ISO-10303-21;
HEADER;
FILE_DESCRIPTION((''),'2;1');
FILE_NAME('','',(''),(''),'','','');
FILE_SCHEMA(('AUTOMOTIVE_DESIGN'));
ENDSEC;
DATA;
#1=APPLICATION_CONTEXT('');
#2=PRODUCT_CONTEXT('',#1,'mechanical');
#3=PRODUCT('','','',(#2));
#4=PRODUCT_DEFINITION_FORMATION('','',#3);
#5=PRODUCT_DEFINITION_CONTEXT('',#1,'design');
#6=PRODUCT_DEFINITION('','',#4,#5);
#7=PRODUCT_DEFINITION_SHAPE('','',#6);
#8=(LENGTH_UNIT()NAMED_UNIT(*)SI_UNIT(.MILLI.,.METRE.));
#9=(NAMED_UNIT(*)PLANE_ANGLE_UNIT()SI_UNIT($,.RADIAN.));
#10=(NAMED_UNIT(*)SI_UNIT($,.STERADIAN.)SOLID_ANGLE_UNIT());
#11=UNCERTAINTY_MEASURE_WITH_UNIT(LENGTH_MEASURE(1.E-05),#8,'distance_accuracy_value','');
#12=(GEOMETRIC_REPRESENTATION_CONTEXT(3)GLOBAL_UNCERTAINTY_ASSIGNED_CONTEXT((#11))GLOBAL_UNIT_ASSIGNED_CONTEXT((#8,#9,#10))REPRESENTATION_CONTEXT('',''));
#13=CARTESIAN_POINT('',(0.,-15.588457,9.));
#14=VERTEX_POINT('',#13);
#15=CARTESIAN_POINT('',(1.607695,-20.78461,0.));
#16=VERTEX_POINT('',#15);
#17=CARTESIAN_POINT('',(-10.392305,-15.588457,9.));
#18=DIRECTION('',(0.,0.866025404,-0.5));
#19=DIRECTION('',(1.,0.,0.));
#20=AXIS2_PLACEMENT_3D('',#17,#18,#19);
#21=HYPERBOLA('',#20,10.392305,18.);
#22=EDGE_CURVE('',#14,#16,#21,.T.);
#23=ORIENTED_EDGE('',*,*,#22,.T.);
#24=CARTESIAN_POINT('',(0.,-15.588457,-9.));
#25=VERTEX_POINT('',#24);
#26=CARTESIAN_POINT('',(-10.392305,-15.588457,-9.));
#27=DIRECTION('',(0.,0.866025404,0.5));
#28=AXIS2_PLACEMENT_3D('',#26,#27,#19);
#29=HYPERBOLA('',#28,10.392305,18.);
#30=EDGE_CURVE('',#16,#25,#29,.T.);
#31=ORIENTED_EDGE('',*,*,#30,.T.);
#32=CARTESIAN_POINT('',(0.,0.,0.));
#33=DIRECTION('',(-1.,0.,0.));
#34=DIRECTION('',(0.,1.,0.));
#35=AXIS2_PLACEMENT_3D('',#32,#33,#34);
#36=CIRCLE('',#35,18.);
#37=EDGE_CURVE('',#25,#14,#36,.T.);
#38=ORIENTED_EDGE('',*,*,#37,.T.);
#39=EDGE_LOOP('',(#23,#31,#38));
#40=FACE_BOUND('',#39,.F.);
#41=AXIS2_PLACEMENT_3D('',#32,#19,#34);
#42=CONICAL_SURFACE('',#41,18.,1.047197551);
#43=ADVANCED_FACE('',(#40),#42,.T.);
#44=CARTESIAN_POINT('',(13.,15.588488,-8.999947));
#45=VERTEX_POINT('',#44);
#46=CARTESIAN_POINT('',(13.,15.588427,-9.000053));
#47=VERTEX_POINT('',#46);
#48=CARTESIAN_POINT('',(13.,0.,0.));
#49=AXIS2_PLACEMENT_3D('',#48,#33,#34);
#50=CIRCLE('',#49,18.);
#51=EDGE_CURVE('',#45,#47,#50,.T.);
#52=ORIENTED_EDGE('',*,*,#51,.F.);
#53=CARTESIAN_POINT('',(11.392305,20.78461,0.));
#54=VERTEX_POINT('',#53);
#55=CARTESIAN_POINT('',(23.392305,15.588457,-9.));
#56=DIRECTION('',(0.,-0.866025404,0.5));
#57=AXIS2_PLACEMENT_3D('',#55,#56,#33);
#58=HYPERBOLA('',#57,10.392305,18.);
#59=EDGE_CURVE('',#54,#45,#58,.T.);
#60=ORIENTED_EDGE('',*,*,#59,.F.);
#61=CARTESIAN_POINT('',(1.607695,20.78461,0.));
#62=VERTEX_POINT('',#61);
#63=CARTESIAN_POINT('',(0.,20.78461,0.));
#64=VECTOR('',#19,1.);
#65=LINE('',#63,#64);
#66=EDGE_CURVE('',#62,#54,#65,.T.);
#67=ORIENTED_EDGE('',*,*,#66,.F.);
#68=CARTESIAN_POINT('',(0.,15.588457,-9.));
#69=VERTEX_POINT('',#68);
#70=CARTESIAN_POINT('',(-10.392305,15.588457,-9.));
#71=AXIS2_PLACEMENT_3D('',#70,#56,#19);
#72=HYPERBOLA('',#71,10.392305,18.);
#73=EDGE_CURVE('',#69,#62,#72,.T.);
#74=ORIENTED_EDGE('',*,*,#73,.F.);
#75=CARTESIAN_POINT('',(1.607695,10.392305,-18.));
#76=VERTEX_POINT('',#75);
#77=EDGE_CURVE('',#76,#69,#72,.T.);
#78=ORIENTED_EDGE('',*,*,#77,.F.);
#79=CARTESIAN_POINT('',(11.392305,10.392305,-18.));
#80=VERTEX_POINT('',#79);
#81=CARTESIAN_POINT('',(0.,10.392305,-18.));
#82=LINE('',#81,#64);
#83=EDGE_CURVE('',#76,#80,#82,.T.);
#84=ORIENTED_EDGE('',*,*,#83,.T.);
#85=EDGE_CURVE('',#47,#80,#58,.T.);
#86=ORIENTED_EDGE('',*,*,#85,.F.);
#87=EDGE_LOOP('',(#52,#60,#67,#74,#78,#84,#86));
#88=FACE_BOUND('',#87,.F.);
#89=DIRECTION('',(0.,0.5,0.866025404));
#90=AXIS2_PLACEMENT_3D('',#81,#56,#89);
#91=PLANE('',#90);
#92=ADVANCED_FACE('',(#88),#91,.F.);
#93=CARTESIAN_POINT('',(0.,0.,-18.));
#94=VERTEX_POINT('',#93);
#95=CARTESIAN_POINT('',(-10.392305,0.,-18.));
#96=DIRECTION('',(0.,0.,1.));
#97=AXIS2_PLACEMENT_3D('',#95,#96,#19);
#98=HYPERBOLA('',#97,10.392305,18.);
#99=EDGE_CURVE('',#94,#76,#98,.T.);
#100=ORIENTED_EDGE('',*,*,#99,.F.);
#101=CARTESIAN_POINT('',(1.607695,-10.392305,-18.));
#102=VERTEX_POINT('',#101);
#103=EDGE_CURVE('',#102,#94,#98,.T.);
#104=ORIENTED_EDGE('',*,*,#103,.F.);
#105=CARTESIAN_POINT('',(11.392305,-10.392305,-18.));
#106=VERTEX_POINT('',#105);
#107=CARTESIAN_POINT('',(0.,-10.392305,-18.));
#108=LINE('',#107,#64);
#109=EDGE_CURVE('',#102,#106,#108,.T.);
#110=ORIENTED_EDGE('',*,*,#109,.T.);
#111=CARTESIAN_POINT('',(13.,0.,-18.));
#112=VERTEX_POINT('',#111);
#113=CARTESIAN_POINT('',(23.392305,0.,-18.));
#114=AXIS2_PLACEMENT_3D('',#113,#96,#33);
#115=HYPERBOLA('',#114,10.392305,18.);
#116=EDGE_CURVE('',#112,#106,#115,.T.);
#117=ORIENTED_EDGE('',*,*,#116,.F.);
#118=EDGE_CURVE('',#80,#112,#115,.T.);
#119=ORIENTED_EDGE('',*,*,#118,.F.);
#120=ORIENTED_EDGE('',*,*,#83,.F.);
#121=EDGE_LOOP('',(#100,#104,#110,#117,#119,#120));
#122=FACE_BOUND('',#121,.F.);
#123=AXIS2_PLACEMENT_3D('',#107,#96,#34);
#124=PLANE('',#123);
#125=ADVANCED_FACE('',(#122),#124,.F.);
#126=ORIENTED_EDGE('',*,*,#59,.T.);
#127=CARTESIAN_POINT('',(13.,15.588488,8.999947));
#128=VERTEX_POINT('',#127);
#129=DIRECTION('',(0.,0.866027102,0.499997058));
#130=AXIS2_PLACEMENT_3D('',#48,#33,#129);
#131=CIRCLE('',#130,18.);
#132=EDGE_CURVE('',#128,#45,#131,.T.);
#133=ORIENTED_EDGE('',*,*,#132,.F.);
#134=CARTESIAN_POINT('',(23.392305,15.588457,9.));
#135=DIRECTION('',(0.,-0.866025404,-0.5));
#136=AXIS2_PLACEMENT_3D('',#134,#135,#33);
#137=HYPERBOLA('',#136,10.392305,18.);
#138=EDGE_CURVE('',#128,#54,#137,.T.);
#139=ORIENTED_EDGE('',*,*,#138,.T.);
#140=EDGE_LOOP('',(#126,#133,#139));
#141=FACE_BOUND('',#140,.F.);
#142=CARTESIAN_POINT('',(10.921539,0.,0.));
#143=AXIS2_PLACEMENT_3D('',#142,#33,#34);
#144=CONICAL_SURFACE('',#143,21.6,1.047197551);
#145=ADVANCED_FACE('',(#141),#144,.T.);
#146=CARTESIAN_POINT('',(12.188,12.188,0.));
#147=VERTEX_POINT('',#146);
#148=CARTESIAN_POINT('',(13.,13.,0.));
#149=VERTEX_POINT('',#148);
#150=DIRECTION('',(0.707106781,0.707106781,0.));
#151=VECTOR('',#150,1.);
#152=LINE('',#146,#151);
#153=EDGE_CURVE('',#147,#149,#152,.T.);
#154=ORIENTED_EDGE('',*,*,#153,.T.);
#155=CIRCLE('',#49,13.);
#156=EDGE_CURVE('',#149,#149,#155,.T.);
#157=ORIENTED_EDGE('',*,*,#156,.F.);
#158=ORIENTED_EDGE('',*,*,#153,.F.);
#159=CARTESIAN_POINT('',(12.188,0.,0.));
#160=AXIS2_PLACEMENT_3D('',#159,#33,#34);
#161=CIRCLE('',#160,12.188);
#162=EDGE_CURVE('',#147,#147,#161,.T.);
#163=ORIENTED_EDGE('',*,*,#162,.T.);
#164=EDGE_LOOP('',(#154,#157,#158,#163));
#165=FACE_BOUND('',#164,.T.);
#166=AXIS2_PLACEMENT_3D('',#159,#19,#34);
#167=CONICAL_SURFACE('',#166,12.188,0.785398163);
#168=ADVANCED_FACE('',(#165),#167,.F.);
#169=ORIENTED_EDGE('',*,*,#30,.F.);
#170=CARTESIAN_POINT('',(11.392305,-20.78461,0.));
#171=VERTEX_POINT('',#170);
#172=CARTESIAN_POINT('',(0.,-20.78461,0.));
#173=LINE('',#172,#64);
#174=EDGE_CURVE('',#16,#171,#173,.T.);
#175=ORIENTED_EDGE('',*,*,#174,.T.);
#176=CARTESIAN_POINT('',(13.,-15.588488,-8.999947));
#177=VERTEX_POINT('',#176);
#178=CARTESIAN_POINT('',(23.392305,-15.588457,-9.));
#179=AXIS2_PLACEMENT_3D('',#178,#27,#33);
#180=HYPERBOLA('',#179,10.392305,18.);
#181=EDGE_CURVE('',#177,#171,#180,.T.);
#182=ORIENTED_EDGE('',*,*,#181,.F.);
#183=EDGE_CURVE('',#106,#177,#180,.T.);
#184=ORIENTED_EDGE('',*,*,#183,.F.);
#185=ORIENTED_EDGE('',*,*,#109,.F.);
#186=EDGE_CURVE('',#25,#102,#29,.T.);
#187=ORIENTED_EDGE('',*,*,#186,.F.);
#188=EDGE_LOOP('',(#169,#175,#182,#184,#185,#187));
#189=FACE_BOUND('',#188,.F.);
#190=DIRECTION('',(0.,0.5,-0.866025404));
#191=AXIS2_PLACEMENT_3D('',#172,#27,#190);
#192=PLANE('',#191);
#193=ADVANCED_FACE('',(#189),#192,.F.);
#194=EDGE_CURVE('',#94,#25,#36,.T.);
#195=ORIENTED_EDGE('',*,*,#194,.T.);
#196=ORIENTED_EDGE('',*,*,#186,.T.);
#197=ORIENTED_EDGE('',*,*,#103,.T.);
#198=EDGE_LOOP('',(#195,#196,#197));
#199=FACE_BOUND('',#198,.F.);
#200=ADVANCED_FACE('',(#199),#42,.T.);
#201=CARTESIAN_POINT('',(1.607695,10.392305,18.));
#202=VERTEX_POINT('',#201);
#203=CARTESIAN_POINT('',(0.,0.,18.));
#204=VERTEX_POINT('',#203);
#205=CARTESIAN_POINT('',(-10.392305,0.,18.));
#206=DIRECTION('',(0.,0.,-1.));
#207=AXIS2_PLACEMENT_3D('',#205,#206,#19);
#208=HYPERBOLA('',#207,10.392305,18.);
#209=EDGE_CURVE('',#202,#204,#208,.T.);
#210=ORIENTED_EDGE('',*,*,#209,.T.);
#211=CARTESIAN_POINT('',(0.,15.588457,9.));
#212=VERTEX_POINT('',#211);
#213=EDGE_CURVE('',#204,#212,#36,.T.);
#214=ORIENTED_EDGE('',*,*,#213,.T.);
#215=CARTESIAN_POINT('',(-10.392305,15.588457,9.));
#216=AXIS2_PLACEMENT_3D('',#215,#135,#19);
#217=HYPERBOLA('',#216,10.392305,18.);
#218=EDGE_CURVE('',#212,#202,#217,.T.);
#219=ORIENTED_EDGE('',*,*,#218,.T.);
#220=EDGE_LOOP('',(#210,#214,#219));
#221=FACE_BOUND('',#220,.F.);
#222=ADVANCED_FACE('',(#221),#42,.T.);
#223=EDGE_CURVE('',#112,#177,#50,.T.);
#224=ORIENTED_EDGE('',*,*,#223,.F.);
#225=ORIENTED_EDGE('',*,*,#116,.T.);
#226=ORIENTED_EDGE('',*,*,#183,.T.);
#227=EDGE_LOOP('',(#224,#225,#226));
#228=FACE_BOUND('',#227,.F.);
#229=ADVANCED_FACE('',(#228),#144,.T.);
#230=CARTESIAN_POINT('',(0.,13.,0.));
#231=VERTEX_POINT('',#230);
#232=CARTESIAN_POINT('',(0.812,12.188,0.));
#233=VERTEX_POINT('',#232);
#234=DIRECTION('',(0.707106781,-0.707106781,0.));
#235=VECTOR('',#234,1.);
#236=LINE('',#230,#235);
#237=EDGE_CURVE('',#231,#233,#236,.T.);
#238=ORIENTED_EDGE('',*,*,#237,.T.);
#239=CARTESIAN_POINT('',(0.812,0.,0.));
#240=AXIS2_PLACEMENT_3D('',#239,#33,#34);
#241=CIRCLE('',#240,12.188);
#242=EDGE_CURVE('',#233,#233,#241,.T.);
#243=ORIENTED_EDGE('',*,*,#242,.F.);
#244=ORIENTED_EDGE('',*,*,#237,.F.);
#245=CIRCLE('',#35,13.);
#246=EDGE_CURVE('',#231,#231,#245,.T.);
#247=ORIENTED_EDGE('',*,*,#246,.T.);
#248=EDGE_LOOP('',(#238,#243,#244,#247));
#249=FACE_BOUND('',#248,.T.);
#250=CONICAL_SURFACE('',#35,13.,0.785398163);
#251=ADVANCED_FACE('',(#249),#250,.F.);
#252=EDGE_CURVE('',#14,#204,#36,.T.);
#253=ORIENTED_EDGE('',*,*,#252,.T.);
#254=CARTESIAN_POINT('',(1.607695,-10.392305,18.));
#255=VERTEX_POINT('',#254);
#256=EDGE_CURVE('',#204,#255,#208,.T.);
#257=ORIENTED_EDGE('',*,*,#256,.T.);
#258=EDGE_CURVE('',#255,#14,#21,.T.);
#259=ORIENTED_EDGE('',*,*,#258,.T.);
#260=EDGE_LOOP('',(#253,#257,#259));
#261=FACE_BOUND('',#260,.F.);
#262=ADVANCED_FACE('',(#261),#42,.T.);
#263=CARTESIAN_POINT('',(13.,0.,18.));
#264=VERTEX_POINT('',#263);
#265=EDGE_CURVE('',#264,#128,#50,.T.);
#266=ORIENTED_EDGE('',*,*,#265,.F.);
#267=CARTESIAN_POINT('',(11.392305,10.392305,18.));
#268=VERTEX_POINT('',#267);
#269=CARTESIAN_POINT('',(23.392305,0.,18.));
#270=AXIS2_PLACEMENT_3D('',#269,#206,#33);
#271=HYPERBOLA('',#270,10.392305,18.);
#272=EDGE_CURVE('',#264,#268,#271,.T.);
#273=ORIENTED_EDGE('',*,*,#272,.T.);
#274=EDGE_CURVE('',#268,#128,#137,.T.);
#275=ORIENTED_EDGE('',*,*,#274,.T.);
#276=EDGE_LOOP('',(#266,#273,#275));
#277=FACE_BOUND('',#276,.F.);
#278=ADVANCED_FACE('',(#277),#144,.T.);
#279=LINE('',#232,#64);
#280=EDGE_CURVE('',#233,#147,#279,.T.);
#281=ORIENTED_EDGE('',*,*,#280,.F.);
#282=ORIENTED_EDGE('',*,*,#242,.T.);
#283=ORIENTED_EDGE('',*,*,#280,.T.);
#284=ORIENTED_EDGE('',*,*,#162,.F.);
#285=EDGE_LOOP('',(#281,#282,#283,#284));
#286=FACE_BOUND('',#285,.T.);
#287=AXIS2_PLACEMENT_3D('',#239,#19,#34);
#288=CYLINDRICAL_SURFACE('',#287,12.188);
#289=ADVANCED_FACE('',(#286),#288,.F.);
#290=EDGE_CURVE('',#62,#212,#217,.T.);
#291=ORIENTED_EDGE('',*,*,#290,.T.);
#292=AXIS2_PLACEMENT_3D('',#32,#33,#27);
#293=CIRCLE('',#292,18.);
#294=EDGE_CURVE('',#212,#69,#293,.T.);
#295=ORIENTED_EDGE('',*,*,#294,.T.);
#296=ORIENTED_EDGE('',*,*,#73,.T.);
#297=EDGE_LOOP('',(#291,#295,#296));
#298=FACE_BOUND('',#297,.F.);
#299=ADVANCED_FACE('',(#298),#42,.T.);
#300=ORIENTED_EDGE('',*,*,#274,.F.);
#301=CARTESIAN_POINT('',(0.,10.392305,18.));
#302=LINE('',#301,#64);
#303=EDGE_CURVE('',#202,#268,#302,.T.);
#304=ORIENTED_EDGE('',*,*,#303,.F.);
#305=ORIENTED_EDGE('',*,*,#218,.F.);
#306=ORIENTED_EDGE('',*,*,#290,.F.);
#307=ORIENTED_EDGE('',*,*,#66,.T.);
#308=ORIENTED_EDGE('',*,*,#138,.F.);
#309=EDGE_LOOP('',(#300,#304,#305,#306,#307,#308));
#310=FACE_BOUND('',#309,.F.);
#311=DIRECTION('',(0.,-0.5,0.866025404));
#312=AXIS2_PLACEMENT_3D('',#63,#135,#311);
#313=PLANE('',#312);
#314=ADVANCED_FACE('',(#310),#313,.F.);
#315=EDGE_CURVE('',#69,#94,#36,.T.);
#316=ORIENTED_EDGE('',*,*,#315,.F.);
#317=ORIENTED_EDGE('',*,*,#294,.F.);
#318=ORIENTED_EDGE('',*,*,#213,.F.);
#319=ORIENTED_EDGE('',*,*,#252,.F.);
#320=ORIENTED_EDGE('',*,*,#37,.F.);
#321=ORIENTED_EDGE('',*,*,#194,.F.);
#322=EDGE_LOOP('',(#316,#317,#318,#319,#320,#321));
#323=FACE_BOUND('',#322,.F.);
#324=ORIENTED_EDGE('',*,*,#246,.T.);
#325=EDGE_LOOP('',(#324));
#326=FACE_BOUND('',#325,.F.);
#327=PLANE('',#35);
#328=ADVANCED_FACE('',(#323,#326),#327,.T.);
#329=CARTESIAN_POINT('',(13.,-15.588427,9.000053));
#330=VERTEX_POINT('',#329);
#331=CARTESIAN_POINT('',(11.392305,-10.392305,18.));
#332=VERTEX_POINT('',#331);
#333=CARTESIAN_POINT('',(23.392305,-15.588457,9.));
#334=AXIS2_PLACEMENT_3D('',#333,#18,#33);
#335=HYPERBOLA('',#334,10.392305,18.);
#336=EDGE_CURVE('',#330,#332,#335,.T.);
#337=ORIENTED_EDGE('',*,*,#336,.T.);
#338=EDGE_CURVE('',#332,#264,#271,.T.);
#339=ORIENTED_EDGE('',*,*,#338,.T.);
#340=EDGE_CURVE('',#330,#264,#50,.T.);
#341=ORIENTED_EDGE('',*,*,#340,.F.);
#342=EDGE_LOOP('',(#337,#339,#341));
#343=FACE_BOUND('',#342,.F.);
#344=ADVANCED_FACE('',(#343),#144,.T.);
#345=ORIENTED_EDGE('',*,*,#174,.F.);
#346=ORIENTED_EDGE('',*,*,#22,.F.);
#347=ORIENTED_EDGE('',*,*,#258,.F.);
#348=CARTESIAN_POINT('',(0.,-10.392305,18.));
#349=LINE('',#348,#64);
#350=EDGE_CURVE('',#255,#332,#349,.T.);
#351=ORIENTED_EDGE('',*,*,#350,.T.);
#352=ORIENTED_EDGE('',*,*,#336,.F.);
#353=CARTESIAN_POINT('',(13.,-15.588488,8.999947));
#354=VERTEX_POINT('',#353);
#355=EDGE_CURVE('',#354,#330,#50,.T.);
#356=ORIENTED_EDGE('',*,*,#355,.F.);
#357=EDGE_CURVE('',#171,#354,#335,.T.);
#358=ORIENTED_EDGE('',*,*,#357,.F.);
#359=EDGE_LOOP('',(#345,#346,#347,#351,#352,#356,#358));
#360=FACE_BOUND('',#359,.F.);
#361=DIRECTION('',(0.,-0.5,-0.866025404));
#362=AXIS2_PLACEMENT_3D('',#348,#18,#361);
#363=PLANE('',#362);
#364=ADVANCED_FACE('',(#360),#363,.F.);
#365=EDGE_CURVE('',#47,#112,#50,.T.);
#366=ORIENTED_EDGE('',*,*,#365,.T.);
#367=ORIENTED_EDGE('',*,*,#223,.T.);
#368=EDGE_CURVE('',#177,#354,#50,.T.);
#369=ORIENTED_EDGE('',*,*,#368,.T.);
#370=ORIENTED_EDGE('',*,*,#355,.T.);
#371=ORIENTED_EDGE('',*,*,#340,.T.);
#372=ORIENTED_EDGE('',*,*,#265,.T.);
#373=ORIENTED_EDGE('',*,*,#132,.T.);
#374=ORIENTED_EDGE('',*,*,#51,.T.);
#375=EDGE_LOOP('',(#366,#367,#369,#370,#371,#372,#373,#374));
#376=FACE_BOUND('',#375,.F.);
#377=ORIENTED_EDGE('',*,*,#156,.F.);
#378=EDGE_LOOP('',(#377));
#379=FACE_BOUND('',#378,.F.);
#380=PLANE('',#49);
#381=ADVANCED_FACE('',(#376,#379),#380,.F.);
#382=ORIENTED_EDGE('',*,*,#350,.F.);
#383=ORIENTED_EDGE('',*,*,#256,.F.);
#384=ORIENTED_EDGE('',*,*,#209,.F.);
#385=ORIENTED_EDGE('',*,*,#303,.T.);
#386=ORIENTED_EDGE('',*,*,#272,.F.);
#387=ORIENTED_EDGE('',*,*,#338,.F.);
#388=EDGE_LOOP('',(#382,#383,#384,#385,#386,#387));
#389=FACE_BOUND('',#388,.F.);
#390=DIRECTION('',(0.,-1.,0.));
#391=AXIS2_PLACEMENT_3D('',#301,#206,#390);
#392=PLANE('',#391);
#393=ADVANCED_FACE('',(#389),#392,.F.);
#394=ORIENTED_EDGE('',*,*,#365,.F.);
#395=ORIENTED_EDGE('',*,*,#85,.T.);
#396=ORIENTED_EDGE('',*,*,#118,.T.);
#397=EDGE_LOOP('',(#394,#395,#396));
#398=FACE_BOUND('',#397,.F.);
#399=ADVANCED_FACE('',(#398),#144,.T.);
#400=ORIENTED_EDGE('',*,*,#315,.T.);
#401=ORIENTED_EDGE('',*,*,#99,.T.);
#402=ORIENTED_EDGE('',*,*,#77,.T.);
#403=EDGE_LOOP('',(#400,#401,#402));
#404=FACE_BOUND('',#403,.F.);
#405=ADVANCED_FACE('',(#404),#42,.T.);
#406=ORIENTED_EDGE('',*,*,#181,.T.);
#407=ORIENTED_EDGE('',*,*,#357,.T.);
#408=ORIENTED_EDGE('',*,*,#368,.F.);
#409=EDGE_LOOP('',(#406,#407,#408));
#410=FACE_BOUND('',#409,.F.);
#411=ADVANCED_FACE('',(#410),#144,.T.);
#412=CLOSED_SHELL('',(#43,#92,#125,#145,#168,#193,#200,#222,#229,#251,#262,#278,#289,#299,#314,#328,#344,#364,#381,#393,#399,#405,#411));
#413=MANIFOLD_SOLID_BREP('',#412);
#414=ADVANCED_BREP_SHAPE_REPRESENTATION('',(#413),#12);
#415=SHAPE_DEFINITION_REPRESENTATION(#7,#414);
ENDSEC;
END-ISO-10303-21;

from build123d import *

# Parameters (mm, degrees)
SKETCH_2_W          = 72
SKETCH_2_H          = 72
CUT_EXTRUDE_1_DEPTH = 26


with BuildPart() as part:
    # 草图1 → 旋转1 (revolve)
    with BuildSketch(Plane.XY):
        Polygon((0, 0), (0, 18), (2.078460969, 21.6), (10.921539031, 21.6), (13, 18), (13, 0), align=None)
    revolve(axis=Axis((13, 0, 0), (-1, 0, 0)))

    # 草图2 → 切除-拉伸1 (cut)
    with BuildSketch(Plane(origin=(0, 0, 0), x_dir=(0, 0, -1), z_dir=(1, 0, 0))):
        Rectangle(SKETCH_2_W, SKETCH_2_H)
        Polygon((-18, -10.392304845), (0, -20.784609691), (18, -10.392304845), (18, 10.392304845), (0, 20.784609691), (-18, 10.392304845), align=None, mode=Mode.SUBTRACT)
    extrude(amount=CUT_EXTRUDE_1_DEPTH, mode=Mode.SUBTRACT)

    # 草图3 → 切除-旋转1 (revolve, cut)
    with BuildSketch(Plane.XY):
        Polygon((0, 0), (0, 13), (0.812, 12.188), (12.188, 12.188), (13, 13), (13, 0), align=None)
    revolve(axis=Axis((13, 0, 0), (-1, 0, 0)), mode=Mode.SUBTRACT)


solid = part.part
